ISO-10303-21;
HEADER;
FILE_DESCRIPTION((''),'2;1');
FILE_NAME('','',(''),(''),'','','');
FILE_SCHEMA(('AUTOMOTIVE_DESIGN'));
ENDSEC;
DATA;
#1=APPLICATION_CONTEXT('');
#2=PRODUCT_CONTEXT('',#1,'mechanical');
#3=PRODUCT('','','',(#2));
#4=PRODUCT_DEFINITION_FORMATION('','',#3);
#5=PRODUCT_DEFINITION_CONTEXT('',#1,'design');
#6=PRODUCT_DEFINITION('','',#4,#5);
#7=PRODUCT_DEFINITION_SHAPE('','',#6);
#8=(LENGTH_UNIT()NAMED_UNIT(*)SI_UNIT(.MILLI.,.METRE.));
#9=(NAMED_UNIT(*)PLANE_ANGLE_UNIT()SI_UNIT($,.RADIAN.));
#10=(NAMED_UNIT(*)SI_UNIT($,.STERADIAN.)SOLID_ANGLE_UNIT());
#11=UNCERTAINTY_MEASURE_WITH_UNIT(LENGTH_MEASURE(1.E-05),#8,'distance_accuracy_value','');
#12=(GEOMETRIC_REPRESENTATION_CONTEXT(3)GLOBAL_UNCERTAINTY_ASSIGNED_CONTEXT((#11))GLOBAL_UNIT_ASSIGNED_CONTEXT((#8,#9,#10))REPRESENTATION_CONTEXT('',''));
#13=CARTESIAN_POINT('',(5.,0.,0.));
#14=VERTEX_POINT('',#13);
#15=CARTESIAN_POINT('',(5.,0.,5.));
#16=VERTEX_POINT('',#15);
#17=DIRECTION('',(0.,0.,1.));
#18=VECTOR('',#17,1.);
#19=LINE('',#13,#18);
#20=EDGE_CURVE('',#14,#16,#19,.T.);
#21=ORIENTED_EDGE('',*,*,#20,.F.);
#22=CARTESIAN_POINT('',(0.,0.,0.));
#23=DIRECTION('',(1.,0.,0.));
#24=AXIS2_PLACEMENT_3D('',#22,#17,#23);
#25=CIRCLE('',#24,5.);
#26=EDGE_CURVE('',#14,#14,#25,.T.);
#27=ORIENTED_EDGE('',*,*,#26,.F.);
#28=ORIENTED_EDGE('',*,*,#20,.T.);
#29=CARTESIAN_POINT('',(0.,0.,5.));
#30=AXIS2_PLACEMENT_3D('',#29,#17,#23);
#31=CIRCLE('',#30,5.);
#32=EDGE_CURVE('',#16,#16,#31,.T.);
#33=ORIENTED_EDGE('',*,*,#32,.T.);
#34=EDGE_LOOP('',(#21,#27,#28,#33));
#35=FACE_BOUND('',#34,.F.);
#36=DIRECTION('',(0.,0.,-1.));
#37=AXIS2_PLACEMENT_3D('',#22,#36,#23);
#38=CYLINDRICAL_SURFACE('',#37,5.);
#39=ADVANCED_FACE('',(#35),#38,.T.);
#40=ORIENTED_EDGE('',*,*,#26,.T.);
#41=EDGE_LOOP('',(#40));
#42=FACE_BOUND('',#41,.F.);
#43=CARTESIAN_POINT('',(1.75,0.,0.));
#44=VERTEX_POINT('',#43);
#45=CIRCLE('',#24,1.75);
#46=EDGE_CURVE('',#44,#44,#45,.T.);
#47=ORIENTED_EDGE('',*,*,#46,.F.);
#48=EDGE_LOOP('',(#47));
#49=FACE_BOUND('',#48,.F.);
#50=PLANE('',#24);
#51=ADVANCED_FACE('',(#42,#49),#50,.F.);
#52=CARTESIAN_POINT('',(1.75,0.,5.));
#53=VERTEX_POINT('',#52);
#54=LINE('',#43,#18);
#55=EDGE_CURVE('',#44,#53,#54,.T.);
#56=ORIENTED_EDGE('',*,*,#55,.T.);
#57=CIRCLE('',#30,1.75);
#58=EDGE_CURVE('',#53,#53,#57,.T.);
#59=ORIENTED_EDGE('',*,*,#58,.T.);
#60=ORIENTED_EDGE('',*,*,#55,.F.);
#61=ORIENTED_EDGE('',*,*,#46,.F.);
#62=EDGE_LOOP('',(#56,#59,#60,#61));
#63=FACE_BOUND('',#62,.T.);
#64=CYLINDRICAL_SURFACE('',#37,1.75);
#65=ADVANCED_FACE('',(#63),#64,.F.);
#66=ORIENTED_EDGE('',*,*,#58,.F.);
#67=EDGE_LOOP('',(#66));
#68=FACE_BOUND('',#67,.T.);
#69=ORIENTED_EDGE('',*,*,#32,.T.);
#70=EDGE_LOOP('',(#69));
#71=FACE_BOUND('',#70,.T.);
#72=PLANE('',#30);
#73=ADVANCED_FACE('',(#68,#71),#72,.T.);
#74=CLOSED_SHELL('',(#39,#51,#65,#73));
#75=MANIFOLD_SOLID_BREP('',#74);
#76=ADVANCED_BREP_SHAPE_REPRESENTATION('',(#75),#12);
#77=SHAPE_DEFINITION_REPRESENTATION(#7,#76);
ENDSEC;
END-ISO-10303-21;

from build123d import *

# Parameters (mm, degrees)
F0_R     = 5
F0_R_2   = 3.5
F0_R_3   = 1.75
F1_DEPTH = 5


with BuildPart() as f1:
    # F0 (on Top) → F1 (new body)
    with BuildSketch(Plane.XY):
        Circle(F0_R)
        Circle(F0_R_2, mode=Mode.SUBTRACT)
        Circle(F0_R_2)
        Circle(F0_R_3, mode=Mode.SUBTRACT)
    extrude(amount=F1_DEPTH)


solid = f1.part
